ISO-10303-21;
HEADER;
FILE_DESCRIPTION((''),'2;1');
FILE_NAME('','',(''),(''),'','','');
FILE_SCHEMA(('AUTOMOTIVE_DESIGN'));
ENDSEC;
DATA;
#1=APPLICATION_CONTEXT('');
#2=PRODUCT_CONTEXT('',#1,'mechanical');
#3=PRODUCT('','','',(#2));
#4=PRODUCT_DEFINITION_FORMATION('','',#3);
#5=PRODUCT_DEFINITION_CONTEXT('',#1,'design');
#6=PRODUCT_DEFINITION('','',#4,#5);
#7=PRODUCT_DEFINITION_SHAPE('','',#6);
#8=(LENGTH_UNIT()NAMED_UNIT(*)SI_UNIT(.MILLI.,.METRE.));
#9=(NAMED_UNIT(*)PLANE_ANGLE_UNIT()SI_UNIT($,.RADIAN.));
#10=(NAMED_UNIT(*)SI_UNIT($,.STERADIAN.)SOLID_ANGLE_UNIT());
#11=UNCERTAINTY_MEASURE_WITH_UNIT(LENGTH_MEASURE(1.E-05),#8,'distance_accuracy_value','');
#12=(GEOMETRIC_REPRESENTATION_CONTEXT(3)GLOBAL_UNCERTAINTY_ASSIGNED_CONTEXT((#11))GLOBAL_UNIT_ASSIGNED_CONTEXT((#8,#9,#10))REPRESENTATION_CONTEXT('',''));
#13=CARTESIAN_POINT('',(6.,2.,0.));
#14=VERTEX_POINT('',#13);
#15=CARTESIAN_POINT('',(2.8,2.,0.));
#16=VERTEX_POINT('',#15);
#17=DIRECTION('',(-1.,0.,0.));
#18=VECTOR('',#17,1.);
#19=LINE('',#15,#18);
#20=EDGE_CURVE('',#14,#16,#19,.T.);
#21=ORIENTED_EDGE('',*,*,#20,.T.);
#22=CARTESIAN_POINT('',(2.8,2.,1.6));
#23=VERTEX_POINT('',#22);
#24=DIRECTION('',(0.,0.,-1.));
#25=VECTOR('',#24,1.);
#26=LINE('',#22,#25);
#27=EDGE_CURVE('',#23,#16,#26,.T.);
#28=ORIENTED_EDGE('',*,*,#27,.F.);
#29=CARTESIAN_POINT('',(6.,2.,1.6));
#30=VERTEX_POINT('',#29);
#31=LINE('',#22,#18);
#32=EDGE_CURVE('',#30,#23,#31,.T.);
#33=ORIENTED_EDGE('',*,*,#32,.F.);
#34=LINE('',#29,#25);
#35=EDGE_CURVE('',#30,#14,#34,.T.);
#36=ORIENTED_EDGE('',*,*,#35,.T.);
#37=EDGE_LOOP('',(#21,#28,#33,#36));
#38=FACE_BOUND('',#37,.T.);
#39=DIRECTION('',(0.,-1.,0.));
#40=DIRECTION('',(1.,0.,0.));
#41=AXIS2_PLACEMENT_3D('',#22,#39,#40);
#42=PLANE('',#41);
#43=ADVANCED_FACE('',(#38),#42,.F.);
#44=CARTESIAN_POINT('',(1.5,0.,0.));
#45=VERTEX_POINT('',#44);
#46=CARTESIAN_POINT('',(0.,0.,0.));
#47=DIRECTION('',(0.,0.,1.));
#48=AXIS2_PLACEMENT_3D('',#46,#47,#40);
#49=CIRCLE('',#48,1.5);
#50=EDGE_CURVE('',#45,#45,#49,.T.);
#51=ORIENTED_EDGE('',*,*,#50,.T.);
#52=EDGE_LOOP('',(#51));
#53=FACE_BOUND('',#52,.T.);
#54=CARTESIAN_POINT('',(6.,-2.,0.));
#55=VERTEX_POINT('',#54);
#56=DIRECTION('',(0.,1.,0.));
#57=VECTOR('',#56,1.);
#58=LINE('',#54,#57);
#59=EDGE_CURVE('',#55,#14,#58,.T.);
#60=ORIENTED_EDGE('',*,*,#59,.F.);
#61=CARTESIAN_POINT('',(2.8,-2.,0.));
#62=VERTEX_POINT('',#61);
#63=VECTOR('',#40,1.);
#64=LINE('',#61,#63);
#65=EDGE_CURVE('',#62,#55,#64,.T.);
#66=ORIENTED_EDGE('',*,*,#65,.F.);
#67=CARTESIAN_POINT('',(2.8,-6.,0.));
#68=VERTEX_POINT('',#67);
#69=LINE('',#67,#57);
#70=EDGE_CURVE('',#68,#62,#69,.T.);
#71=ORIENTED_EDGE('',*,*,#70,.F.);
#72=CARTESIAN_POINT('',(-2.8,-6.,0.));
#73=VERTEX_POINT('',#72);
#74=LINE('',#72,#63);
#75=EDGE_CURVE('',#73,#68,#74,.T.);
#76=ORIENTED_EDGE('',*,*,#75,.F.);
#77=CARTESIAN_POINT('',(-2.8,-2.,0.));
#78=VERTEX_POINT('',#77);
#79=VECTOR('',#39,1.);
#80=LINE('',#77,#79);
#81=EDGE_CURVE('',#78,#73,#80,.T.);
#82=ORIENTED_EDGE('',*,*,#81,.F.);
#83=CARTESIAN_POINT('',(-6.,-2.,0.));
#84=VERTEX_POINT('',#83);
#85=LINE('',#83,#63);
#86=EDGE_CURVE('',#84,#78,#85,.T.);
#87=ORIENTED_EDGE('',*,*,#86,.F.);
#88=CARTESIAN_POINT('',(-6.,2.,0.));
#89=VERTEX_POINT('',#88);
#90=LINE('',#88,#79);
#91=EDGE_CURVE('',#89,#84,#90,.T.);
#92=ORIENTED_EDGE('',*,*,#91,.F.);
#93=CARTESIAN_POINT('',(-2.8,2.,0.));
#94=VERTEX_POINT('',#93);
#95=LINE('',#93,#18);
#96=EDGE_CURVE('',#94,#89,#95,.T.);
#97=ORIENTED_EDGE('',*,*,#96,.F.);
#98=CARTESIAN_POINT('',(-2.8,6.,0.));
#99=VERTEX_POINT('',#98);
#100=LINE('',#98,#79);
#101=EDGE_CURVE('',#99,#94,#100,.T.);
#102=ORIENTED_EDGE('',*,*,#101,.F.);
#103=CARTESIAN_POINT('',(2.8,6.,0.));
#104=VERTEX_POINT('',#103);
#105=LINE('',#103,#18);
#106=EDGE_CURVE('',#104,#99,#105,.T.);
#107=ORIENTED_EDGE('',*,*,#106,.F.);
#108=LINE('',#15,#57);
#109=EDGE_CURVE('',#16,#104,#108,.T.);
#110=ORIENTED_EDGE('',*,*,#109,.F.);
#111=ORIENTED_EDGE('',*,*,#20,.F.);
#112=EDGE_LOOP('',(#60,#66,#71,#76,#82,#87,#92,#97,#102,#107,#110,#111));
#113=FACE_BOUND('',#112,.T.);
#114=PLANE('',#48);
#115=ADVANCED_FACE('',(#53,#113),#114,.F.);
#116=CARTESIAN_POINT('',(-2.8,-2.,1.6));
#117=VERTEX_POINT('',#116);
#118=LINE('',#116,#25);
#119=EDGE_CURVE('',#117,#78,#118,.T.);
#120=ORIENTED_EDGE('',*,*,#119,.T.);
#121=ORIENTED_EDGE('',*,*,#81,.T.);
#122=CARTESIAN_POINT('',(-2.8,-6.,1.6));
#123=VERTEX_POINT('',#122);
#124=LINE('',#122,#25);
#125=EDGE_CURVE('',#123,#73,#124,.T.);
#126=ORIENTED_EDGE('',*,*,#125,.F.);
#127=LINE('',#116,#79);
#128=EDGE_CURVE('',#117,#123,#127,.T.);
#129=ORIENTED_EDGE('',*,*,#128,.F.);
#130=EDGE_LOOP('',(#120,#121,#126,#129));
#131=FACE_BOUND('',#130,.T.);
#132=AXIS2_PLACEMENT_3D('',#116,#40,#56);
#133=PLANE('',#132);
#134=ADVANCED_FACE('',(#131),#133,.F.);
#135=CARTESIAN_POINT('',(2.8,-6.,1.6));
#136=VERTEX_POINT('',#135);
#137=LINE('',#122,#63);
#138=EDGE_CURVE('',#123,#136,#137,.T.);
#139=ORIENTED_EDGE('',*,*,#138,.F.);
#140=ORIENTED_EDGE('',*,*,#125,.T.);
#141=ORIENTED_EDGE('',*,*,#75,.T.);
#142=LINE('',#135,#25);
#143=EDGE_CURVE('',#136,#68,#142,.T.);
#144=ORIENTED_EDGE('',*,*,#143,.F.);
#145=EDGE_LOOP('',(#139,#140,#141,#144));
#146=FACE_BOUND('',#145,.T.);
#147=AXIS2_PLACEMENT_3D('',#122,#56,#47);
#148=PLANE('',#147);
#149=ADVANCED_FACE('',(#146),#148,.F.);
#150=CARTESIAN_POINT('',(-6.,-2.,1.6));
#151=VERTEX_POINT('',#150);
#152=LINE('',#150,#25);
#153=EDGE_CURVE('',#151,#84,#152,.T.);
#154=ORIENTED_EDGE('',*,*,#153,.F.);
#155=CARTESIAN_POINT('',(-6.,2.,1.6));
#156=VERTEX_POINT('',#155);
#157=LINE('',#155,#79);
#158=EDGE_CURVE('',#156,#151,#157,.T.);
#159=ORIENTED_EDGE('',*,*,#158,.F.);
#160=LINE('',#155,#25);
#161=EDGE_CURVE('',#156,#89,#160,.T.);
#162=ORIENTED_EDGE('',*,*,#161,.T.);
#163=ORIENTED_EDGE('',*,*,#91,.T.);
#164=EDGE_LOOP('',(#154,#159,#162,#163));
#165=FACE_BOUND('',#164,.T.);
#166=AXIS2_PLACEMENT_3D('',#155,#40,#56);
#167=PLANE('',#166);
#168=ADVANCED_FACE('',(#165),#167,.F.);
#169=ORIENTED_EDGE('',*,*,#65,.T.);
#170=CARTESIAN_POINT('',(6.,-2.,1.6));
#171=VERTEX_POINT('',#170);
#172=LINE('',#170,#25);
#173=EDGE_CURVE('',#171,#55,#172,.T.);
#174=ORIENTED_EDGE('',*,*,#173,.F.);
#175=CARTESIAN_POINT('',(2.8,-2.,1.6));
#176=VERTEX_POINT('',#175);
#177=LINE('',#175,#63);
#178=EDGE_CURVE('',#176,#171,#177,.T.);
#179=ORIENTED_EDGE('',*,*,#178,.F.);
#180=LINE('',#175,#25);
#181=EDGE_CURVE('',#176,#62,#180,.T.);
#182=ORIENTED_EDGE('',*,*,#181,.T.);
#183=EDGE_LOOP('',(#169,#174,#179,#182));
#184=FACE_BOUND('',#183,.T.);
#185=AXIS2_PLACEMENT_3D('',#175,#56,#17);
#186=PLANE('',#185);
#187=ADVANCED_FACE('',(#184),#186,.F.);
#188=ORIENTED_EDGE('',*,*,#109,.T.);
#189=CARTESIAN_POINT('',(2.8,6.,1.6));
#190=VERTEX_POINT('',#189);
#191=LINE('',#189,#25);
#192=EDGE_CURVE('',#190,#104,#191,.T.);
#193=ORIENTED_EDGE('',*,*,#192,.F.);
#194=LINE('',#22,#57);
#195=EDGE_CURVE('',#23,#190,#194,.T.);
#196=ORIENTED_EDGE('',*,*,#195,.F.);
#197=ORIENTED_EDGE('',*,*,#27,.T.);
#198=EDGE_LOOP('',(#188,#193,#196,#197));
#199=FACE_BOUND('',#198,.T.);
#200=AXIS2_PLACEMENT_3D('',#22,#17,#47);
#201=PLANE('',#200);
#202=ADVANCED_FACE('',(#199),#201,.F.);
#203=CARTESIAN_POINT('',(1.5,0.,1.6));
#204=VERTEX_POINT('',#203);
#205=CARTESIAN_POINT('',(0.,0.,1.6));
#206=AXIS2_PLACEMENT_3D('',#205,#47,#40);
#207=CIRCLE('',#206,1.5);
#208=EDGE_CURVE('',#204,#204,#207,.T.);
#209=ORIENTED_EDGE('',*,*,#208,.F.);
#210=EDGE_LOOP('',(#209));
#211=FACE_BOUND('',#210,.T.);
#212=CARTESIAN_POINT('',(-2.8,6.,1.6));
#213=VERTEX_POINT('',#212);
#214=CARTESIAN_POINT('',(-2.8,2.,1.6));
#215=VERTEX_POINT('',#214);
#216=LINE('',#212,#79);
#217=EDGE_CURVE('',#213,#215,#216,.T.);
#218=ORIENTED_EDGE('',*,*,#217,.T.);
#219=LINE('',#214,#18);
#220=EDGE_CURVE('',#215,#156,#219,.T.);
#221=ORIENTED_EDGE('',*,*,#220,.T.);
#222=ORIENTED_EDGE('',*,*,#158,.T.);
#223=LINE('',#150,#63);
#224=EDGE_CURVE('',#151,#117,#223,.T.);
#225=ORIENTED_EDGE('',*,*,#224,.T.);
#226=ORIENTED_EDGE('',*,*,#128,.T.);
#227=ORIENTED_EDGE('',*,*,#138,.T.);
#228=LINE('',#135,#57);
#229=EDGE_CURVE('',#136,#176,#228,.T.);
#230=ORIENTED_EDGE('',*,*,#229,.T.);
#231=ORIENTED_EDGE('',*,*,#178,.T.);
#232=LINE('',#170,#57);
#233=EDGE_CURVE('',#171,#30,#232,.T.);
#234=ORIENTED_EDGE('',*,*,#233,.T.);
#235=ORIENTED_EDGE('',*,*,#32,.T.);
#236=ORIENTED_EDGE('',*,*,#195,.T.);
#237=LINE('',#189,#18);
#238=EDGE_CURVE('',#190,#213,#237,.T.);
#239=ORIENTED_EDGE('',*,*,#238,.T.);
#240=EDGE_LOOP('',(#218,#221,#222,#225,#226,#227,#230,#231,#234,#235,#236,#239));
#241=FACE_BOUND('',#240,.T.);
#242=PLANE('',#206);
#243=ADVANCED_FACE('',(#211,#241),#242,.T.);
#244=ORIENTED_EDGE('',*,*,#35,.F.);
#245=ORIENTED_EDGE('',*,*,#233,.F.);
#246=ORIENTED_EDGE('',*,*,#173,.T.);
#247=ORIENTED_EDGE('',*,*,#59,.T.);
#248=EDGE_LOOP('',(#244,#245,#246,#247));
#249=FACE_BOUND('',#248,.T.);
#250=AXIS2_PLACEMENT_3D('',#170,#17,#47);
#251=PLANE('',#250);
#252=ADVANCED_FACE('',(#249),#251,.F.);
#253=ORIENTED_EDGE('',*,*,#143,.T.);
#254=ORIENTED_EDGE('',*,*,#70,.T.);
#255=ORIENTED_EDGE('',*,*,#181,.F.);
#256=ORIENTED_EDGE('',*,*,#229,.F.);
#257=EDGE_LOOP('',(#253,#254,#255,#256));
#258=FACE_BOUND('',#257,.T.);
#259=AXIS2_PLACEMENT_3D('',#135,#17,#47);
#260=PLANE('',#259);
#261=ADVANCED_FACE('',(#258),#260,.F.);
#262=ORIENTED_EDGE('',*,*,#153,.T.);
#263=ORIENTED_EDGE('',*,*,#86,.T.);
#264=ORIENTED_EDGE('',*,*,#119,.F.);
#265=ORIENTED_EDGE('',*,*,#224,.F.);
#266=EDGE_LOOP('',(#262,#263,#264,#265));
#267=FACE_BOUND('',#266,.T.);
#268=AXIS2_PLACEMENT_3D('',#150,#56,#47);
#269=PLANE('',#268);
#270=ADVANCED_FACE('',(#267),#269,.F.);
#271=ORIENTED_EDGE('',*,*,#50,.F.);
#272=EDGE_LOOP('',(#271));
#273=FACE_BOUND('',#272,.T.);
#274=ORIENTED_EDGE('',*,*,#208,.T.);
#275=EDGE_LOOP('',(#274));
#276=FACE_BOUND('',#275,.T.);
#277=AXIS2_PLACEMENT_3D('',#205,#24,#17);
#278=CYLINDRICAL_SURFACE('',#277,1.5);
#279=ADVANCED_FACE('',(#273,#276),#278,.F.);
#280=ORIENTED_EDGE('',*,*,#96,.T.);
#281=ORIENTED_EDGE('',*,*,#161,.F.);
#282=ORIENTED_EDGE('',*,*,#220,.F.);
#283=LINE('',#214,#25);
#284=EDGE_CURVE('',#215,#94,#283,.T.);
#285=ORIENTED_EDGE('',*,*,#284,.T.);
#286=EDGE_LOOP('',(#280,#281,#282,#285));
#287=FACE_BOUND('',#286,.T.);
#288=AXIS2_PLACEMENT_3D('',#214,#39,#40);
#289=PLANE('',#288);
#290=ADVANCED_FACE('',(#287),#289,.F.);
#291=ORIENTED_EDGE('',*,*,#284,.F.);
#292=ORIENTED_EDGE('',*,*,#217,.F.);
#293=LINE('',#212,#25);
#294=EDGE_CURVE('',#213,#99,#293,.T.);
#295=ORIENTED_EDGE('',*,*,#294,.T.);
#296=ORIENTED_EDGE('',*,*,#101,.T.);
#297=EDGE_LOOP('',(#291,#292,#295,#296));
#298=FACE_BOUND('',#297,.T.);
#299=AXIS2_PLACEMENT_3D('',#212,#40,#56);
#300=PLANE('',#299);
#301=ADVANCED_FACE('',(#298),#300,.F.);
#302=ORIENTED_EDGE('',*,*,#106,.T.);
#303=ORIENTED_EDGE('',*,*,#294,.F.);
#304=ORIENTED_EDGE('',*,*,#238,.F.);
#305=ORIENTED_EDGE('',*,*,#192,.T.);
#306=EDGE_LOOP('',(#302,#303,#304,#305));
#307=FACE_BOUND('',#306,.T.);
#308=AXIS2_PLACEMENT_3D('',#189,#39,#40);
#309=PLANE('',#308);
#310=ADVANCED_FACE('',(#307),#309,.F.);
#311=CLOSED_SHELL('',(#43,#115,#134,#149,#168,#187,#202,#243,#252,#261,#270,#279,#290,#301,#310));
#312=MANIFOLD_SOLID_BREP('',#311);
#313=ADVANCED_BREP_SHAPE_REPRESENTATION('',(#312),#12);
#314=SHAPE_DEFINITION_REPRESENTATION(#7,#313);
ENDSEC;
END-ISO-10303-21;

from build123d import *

# Parameters (mm, degrees)
SKETCH1_R           = 1.5
BOSS_EXTRUDE1_DEPTH = 1.6


with BuildPart() as part:
    # Sketch1 → Boss-Extrude1 (new body)
    with BuildSketch(Plane.XY):
        Polygon((-2.8, -6), (2.8, -6), (2.8, -2), (6, -2), (6, 2), (2.8, 2), (2.8, 6), (-2.8, 6), (-2.8, 2), (-6, 2), (-6, -2), (-2.8, -2), align=None)
        Circle(SKETCH1_R, mode=Mode.SUBTRACT)
    extrude(amount=BOSS_EXTRUDE1_DEPTH)


solid = part.part
